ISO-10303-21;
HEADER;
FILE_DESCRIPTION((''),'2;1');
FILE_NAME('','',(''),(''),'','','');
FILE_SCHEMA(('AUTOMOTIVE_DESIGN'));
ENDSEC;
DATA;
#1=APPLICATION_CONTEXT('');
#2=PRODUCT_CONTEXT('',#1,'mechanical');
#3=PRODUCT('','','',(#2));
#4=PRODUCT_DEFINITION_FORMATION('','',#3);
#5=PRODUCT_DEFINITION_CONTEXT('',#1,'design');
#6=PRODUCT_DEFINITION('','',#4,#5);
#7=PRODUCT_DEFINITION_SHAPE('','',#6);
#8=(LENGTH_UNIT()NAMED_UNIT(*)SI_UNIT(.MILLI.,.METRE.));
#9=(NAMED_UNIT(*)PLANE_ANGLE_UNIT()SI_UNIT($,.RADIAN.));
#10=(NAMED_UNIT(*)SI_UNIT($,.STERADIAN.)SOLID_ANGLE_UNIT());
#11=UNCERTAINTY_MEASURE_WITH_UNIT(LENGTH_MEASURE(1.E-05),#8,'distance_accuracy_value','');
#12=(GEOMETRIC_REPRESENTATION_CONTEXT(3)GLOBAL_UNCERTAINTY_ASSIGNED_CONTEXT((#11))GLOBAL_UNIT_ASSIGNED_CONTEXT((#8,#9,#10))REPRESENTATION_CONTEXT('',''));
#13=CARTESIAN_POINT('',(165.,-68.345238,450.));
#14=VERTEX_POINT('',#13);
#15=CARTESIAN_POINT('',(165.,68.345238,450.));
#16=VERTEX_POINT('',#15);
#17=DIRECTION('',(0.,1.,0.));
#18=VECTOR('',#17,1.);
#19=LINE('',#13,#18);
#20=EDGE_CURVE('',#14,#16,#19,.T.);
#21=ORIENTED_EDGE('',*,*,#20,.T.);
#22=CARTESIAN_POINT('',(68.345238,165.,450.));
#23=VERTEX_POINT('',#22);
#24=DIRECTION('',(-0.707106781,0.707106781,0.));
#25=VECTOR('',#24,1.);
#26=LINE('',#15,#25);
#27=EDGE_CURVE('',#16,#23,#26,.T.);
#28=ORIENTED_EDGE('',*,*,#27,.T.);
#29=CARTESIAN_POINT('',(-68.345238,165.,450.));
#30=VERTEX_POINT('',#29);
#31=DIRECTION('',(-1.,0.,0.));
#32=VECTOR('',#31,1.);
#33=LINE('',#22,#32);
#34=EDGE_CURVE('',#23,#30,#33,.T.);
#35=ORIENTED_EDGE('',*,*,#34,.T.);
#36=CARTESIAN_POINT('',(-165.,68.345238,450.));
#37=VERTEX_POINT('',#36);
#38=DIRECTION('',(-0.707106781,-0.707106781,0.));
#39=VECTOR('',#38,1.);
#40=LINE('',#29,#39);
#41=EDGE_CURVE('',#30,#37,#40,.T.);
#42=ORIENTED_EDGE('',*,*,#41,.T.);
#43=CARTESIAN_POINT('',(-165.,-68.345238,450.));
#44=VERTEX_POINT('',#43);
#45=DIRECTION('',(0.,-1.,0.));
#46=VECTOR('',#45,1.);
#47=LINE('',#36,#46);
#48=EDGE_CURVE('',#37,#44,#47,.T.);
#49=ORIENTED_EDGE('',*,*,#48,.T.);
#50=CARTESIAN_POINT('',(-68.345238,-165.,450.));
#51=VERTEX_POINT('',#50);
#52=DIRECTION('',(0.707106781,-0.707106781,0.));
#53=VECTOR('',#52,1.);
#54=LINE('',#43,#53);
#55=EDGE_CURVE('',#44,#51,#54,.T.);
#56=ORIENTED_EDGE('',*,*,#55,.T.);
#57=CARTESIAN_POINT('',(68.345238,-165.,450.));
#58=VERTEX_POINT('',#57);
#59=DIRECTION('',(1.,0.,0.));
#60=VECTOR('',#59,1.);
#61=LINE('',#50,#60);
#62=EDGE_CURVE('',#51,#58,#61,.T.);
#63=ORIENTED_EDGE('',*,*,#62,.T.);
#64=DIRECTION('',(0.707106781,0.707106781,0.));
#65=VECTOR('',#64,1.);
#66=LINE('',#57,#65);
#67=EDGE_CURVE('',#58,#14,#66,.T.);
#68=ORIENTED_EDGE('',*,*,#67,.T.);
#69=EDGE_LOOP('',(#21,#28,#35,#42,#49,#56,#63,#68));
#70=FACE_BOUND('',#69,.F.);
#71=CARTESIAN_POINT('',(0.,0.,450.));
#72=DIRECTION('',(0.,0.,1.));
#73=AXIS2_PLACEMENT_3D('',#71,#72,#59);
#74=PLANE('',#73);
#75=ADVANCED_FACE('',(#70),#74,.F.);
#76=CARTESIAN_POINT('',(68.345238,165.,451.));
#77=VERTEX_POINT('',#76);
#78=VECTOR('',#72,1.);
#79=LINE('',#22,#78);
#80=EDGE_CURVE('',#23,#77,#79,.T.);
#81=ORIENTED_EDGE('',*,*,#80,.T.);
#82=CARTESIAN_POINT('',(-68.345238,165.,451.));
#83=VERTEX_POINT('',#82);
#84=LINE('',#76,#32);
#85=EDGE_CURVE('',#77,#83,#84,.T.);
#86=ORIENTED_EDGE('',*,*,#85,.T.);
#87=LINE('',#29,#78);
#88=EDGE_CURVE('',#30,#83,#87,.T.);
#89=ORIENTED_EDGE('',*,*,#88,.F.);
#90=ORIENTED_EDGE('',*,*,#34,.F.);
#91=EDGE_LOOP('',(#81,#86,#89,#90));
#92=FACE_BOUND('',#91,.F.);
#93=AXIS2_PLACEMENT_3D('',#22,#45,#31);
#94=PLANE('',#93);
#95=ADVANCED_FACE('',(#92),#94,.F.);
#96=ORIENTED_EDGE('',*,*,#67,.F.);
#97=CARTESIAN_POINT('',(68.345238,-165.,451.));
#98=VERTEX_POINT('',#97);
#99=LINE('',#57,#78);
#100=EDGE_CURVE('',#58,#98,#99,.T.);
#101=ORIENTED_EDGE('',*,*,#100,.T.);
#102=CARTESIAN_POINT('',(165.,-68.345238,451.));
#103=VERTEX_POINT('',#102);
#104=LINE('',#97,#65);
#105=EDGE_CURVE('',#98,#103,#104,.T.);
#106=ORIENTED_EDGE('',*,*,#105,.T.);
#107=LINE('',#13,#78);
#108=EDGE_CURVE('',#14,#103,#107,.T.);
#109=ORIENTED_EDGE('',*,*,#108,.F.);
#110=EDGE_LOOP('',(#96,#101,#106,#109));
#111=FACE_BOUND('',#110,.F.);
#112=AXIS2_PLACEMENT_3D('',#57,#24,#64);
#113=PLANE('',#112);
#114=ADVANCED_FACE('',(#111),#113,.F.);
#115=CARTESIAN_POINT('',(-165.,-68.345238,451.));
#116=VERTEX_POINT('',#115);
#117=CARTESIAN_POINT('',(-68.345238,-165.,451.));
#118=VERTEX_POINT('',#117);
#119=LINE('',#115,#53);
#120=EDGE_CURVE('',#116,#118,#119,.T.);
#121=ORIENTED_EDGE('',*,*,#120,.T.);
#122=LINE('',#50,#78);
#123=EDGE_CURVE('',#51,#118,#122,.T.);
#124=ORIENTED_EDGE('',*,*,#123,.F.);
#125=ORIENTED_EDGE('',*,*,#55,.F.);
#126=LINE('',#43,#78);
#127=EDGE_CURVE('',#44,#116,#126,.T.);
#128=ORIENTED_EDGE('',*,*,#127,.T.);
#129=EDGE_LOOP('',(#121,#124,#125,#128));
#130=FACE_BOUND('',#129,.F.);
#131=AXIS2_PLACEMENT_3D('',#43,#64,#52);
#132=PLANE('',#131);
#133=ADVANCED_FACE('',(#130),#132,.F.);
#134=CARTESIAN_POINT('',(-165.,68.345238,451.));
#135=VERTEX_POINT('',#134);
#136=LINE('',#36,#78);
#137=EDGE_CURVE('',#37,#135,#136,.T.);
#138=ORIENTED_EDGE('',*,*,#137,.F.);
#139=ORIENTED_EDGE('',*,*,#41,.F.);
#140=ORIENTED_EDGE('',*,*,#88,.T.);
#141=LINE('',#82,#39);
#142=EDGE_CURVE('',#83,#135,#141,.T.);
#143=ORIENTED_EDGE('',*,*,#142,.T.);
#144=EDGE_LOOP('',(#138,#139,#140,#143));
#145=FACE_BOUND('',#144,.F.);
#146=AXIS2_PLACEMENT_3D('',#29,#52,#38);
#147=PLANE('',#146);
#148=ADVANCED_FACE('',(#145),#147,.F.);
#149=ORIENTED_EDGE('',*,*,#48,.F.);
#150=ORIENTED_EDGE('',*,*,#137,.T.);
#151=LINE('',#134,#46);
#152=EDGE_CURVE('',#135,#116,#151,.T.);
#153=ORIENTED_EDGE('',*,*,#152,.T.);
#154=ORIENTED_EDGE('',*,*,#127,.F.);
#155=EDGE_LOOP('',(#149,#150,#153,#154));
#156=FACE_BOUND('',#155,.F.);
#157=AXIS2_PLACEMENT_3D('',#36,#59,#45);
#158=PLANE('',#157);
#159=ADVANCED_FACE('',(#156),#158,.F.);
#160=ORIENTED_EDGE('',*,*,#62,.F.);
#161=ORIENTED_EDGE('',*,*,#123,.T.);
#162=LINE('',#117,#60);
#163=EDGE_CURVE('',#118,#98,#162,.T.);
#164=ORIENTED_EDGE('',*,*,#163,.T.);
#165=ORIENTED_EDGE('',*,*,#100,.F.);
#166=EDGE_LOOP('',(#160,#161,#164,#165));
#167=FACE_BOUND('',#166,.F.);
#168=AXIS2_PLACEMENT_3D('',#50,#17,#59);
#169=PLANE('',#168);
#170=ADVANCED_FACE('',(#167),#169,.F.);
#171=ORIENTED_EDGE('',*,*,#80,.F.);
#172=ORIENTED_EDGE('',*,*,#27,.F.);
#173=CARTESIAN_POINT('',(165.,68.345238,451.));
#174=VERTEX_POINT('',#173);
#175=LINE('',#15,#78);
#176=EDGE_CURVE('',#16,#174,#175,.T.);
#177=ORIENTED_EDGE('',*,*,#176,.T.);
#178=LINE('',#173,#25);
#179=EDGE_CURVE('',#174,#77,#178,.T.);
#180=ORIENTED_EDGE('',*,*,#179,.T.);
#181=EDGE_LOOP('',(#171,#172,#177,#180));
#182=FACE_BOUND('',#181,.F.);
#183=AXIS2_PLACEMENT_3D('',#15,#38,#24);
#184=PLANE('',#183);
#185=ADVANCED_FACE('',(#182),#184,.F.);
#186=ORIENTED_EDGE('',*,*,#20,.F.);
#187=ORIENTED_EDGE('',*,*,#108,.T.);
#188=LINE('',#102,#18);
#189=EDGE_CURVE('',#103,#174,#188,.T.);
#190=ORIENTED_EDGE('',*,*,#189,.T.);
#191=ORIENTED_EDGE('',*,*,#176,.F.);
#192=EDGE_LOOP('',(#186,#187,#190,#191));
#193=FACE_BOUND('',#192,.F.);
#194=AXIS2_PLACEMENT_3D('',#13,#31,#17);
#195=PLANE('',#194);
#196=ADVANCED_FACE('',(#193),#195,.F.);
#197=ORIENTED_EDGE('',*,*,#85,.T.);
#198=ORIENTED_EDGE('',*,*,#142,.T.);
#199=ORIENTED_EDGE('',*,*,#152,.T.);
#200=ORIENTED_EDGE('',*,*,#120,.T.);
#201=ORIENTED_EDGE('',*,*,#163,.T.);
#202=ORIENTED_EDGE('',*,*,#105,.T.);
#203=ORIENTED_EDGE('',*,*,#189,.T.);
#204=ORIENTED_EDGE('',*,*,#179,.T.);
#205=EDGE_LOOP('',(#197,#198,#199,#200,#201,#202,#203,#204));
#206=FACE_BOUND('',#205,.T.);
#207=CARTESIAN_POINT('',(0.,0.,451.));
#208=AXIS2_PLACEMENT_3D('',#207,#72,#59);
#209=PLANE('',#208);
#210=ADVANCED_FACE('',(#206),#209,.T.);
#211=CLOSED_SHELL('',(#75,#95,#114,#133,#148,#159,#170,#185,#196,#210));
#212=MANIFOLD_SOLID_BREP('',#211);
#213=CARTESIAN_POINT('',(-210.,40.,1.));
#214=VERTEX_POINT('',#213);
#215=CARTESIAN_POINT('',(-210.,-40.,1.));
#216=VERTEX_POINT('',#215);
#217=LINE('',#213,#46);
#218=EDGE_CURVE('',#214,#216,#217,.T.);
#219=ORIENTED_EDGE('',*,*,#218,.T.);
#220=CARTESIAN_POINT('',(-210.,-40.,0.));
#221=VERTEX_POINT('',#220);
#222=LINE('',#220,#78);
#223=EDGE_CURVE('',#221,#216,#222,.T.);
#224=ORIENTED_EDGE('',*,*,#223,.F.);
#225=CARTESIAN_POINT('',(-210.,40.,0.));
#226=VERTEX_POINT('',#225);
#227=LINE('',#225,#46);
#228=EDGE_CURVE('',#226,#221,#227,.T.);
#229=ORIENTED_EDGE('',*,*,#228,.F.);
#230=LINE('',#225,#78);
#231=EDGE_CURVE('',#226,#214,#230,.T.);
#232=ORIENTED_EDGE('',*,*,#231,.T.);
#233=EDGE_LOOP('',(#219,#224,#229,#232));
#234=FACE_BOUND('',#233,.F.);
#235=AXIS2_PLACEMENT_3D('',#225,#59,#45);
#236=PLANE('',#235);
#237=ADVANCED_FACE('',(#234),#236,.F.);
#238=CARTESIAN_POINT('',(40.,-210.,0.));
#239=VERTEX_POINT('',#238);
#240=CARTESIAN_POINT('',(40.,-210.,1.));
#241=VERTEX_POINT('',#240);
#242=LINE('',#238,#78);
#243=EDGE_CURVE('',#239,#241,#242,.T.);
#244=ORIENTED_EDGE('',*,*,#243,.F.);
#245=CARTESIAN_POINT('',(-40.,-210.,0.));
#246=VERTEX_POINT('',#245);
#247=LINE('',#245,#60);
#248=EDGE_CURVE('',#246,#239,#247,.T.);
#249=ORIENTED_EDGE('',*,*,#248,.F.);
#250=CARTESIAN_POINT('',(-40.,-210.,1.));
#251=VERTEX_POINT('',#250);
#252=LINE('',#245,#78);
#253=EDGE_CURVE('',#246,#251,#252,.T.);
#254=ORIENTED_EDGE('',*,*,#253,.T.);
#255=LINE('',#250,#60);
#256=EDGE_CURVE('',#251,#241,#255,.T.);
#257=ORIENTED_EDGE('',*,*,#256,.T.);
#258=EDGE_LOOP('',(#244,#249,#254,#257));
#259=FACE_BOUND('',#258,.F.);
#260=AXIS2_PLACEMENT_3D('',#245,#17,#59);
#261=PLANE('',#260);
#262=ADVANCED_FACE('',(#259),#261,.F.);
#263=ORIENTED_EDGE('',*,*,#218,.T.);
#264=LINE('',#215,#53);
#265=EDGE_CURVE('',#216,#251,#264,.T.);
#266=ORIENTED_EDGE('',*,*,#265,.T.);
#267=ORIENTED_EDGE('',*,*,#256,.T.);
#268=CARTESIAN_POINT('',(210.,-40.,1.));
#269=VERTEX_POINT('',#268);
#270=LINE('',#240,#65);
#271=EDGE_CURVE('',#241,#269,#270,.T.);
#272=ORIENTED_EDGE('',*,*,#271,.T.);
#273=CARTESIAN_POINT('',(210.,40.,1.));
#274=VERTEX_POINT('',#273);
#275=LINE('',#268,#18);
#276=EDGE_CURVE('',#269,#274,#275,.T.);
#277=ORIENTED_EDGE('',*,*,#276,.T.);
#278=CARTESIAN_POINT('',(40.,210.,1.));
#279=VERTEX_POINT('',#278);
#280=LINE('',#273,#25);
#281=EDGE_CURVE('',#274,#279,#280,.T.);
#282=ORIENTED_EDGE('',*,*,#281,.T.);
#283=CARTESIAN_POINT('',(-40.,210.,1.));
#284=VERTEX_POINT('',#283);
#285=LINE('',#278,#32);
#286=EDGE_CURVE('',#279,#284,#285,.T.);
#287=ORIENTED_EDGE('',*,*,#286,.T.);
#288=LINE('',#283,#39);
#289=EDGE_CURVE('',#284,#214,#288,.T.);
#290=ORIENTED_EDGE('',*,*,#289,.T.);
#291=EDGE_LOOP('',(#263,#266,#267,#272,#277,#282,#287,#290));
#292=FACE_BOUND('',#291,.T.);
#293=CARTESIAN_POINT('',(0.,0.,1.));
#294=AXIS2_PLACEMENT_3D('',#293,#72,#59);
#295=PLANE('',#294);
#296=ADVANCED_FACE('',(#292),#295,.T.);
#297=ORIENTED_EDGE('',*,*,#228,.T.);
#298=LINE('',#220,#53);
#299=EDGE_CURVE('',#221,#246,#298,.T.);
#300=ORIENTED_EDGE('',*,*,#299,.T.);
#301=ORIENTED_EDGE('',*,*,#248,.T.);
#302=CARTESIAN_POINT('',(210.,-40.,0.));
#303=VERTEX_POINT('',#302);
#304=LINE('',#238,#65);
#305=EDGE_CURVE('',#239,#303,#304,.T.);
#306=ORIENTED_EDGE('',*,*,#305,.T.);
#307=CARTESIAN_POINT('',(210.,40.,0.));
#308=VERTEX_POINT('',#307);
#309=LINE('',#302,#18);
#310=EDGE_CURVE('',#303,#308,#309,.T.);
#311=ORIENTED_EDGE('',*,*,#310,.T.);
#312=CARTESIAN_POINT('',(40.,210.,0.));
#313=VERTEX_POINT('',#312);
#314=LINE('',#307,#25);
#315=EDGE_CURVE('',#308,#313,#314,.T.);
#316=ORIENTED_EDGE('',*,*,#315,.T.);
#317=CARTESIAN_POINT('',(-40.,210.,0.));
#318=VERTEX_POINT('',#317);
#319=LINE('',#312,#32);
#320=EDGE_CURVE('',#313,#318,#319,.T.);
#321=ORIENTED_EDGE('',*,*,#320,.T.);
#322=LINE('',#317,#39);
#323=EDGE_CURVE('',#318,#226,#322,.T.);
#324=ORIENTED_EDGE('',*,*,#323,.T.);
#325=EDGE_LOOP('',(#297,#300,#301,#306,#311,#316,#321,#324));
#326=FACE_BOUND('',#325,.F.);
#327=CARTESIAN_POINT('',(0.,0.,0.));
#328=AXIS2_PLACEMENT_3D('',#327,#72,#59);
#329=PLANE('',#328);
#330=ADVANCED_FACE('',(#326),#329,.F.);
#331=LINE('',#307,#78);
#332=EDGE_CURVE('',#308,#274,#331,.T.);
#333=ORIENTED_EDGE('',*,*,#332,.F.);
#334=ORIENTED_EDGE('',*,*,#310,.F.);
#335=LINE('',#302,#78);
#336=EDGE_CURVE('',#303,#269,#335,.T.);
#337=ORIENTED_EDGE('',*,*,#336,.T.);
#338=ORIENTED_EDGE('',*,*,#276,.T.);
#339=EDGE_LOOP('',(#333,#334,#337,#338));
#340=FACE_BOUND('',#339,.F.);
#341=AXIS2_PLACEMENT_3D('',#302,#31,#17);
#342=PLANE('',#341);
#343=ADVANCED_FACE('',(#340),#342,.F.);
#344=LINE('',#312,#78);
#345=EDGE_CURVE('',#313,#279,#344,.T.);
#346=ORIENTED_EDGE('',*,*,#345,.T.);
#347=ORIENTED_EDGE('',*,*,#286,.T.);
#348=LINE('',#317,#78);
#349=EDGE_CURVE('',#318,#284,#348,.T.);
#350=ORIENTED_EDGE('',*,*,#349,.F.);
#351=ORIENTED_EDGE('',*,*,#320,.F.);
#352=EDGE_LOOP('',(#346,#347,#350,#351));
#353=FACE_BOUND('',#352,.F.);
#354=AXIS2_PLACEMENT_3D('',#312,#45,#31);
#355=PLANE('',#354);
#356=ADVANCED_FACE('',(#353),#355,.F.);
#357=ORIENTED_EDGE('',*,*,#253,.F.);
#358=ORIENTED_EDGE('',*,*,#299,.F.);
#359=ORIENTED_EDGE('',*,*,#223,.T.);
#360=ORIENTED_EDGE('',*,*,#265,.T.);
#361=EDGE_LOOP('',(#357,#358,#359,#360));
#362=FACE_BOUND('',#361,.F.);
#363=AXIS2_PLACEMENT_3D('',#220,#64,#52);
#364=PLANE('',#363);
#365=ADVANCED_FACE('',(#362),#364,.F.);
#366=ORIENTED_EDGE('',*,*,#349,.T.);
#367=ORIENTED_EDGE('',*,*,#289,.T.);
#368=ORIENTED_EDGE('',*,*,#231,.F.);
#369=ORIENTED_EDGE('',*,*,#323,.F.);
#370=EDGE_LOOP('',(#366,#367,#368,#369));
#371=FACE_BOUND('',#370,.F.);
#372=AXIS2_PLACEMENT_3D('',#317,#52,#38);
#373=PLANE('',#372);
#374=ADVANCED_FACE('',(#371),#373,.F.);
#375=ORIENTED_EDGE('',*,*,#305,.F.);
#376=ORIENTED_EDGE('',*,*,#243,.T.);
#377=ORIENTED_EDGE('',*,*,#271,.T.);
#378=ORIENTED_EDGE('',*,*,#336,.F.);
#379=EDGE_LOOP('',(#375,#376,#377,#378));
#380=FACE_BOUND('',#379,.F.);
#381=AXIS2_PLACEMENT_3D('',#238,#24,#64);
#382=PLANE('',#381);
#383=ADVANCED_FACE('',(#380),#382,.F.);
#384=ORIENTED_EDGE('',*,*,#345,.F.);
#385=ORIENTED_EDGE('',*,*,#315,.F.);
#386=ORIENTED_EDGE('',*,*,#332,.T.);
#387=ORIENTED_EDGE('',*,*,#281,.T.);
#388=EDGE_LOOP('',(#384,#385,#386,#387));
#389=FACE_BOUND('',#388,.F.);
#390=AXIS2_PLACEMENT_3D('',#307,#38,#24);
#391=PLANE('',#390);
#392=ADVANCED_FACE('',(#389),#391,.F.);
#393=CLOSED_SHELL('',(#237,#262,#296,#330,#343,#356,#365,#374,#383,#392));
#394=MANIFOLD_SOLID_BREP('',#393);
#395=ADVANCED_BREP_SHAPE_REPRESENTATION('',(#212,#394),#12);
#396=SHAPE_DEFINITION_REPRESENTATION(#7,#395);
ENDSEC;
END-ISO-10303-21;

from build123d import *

# Parameters (mm, degrees)
F20_DEPTH = 1
F22_DEPTH = 1


with BuildPart() as f20:
    # F19 (on offset) → F20 (new body)
    with BuildSketch(Plane.XY.offset(450)):
        Polygon((-68.345238, 165), (-165, 68.345238), (-165, -68.345238), (-68.345238, -165), (68.345238, -165), (165, -68.345238), (165, 68.345238), (68.345238, 165), align=None)
    extrude(amount=F20_DEPTH)


with BuildPart() as f22:
    # F21 (on Top) → F22 (new body)
    with BuildSketch(Plane.XY):
        Polygon((-210, 40), (-210, -40), (-40, -210), (40, -210), (210, -40), (210, 40), (40, 210), (-40, 210), align=None)
    extrude(amount=F22_DEPTH)


solid = Compound([f20.part, f22.part])
